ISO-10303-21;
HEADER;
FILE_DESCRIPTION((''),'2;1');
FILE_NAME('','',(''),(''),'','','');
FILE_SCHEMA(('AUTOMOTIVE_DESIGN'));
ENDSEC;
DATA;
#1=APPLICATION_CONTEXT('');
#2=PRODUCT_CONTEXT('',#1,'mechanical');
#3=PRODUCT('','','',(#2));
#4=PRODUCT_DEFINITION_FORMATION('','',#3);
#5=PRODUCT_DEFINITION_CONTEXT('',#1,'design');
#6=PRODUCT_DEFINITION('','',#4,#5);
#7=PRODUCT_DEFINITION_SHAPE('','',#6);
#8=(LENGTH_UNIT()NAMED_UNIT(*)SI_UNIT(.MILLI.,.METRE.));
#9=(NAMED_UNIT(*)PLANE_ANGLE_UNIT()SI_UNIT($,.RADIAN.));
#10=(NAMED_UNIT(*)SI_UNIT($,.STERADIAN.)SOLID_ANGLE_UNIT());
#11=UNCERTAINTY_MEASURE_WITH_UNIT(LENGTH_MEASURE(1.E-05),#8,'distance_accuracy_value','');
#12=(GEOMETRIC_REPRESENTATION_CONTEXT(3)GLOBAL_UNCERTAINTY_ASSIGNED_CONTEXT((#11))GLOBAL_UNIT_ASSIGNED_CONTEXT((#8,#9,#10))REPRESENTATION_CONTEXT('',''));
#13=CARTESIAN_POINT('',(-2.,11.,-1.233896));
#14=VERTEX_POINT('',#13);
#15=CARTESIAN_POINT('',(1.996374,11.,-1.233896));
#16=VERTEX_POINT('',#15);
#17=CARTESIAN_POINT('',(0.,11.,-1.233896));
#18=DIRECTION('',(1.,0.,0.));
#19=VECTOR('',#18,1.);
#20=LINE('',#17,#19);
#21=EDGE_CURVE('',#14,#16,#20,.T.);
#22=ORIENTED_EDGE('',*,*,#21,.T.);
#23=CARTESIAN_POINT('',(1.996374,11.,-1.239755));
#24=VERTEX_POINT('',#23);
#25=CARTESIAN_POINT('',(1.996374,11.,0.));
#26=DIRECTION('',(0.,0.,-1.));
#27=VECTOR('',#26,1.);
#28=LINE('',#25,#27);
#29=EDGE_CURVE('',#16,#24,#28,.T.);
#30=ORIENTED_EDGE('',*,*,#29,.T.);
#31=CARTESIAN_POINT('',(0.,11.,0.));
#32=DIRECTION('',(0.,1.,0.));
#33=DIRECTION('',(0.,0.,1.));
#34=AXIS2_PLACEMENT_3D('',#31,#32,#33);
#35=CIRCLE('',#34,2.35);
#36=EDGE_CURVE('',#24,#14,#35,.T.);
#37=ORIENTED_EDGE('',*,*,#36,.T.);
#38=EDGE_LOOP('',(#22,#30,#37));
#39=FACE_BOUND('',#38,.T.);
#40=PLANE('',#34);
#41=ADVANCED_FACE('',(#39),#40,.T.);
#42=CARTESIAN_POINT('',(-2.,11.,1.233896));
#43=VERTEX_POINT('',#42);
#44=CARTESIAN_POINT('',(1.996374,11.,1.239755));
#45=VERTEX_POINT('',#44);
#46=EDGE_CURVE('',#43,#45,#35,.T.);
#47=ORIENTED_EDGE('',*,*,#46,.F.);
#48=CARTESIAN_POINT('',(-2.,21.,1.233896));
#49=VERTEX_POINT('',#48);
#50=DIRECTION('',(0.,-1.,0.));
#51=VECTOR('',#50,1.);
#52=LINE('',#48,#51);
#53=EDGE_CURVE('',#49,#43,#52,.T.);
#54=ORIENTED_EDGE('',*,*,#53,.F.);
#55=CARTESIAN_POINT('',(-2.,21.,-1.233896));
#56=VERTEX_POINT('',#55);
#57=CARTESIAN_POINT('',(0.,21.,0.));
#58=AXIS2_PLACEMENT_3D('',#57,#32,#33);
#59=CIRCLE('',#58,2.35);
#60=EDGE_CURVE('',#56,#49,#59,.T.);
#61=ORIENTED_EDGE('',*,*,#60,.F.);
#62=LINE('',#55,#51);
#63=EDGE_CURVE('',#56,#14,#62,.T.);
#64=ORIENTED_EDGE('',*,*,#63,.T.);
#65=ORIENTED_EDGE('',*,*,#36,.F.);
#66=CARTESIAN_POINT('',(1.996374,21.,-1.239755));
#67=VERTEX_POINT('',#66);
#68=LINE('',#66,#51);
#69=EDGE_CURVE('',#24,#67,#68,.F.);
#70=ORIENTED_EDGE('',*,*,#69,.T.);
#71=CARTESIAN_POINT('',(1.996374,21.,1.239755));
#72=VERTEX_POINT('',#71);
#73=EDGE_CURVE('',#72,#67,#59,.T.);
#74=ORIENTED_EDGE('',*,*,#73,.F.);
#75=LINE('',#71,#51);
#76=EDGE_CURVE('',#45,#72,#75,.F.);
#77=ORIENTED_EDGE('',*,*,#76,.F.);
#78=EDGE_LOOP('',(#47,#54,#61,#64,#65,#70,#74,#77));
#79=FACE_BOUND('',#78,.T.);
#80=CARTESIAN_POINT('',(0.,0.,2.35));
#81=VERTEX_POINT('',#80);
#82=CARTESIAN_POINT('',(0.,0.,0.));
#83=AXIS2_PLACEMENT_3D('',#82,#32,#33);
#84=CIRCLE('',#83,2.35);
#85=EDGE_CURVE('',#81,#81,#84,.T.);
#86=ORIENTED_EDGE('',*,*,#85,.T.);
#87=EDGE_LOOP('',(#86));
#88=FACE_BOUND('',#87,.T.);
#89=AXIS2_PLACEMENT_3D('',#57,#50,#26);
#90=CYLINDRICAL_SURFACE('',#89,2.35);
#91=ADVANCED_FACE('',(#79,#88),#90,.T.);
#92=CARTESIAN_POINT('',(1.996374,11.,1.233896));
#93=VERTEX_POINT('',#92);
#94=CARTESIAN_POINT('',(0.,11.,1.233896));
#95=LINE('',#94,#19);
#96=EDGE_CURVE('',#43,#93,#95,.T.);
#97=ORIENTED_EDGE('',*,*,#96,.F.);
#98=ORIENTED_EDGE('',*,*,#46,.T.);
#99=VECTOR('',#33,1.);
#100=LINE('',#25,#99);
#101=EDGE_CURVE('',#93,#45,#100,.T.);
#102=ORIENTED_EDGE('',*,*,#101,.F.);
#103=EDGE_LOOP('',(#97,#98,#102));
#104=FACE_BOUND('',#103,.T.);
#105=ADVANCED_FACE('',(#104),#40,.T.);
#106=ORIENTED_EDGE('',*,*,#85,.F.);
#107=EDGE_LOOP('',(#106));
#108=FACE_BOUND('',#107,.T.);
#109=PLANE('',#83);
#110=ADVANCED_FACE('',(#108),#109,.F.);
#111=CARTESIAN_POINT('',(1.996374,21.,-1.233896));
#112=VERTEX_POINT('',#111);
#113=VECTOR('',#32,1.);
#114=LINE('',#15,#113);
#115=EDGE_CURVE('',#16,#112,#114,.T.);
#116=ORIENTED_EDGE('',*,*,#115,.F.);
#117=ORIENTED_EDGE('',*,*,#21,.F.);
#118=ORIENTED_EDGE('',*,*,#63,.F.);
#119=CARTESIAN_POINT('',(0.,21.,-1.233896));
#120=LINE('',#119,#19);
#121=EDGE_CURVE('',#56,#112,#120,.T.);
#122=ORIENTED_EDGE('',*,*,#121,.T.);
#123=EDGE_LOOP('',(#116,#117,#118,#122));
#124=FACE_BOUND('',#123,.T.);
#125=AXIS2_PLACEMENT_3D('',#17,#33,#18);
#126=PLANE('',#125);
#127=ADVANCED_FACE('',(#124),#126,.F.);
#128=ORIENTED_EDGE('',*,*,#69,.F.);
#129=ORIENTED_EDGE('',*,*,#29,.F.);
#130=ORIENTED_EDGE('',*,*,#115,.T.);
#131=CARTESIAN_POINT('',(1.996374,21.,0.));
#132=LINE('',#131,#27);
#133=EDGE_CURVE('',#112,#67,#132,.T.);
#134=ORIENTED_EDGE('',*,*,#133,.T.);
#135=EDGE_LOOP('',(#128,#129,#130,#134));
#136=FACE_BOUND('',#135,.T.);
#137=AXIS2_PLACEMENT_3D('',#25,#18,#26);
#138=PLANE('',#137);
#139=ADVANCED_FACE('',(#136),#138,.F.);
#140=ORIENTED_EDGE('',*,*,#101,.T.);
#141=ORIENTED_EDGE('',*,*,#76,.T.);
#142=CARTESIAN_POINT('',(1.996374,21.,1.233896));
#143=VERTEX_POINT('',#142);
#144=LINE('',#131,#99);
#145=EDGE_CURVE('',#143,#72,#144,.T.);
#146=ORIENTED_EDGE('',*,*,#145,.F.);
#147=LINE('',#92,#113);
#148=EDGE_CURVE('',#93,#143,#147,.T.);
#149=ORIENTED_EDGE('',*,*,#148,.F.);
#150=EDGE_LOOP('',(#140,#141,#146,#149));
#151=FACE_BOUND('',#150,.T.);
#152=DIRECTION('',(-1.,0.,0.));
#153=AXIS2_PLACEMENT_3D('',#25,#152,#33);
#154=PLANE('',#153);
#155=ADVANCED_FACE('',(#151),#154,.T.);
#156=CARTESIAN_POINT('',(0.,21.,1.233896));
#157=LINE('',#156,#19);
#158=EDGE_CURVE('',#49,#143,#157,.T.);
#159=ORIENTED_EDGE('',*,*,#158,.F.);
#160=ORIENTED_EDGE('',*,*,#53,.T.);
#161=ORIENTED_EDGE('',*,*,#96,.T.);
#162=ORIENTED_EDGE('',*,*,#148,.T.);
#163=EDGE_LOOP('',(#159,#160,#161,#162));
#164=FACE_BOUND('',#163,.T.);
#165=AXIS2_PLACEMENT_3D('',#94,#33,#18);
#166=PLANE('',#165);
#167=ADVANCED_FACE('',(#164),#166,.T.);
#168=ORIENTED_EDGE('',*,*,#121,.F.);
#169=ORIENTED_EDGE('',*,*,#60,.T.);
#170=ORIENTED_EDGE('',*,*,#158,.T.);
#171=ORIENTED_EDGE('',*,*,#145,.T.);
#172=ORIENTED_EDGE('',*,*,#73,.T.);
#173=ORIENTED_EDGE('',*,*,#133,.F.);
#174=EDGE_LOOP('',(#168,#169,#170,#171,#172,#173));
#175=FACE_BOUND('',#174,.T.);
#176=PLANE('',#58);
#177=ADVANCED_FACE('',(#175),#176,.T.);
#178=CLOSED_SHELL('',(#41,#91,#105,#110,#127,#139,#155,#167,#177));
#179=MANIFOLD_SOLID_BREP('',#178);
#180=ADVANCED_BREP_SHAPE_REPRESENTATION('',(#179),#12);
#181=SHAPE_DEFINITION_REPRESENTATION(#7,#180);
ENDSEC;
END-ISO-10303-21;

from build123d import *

# Parameters (mm, degrees)
SKETCH_1_R          = 2.35
EXTRUDE_1_DEPTH     = 21
SKETCH_2_W          = 4
SKETCH_2_H          = 1.233219009
SKETCH_2_H_2        = 1.204428022
CUT_EXTRUDE_6_DEPTH = 10


with BuildPart() as part:
    # 스케치1 → 보스-돌출1 (new body)
    with BuildSketch(Plane(origin=(0, 0, 0), x_dir=(1, 0, 0), z_dir=(0, 1, 0))):
        with Locations(Location((0, 0, 0), (0, 0, 90))):
            Circle(SKETCH_1_R)
    extrude(amount=EXTRUDE_1_DEPTH)

    # 스케치2 → 컷-돌출6 (cut)
    with BuildSketch(Plane(origin=(0, 21, 0), x_dir=(1, 0, 0), z_dir=(0, 1, 0))):
        with Locations((-0.00362645, 1.850505773)):
            Rectangle(SKETCH_2_W, SKETCH_2_H)
        with Locations((-0.00362645, -1.836110279)):
            Rectangle(SKETCH_2_W, SKETCH_2_H_2)
    extrude(amount=-CUT_EXTRUDE_6_DEPTH, mode=Mode.SUBTRACT)


solid = part.part
